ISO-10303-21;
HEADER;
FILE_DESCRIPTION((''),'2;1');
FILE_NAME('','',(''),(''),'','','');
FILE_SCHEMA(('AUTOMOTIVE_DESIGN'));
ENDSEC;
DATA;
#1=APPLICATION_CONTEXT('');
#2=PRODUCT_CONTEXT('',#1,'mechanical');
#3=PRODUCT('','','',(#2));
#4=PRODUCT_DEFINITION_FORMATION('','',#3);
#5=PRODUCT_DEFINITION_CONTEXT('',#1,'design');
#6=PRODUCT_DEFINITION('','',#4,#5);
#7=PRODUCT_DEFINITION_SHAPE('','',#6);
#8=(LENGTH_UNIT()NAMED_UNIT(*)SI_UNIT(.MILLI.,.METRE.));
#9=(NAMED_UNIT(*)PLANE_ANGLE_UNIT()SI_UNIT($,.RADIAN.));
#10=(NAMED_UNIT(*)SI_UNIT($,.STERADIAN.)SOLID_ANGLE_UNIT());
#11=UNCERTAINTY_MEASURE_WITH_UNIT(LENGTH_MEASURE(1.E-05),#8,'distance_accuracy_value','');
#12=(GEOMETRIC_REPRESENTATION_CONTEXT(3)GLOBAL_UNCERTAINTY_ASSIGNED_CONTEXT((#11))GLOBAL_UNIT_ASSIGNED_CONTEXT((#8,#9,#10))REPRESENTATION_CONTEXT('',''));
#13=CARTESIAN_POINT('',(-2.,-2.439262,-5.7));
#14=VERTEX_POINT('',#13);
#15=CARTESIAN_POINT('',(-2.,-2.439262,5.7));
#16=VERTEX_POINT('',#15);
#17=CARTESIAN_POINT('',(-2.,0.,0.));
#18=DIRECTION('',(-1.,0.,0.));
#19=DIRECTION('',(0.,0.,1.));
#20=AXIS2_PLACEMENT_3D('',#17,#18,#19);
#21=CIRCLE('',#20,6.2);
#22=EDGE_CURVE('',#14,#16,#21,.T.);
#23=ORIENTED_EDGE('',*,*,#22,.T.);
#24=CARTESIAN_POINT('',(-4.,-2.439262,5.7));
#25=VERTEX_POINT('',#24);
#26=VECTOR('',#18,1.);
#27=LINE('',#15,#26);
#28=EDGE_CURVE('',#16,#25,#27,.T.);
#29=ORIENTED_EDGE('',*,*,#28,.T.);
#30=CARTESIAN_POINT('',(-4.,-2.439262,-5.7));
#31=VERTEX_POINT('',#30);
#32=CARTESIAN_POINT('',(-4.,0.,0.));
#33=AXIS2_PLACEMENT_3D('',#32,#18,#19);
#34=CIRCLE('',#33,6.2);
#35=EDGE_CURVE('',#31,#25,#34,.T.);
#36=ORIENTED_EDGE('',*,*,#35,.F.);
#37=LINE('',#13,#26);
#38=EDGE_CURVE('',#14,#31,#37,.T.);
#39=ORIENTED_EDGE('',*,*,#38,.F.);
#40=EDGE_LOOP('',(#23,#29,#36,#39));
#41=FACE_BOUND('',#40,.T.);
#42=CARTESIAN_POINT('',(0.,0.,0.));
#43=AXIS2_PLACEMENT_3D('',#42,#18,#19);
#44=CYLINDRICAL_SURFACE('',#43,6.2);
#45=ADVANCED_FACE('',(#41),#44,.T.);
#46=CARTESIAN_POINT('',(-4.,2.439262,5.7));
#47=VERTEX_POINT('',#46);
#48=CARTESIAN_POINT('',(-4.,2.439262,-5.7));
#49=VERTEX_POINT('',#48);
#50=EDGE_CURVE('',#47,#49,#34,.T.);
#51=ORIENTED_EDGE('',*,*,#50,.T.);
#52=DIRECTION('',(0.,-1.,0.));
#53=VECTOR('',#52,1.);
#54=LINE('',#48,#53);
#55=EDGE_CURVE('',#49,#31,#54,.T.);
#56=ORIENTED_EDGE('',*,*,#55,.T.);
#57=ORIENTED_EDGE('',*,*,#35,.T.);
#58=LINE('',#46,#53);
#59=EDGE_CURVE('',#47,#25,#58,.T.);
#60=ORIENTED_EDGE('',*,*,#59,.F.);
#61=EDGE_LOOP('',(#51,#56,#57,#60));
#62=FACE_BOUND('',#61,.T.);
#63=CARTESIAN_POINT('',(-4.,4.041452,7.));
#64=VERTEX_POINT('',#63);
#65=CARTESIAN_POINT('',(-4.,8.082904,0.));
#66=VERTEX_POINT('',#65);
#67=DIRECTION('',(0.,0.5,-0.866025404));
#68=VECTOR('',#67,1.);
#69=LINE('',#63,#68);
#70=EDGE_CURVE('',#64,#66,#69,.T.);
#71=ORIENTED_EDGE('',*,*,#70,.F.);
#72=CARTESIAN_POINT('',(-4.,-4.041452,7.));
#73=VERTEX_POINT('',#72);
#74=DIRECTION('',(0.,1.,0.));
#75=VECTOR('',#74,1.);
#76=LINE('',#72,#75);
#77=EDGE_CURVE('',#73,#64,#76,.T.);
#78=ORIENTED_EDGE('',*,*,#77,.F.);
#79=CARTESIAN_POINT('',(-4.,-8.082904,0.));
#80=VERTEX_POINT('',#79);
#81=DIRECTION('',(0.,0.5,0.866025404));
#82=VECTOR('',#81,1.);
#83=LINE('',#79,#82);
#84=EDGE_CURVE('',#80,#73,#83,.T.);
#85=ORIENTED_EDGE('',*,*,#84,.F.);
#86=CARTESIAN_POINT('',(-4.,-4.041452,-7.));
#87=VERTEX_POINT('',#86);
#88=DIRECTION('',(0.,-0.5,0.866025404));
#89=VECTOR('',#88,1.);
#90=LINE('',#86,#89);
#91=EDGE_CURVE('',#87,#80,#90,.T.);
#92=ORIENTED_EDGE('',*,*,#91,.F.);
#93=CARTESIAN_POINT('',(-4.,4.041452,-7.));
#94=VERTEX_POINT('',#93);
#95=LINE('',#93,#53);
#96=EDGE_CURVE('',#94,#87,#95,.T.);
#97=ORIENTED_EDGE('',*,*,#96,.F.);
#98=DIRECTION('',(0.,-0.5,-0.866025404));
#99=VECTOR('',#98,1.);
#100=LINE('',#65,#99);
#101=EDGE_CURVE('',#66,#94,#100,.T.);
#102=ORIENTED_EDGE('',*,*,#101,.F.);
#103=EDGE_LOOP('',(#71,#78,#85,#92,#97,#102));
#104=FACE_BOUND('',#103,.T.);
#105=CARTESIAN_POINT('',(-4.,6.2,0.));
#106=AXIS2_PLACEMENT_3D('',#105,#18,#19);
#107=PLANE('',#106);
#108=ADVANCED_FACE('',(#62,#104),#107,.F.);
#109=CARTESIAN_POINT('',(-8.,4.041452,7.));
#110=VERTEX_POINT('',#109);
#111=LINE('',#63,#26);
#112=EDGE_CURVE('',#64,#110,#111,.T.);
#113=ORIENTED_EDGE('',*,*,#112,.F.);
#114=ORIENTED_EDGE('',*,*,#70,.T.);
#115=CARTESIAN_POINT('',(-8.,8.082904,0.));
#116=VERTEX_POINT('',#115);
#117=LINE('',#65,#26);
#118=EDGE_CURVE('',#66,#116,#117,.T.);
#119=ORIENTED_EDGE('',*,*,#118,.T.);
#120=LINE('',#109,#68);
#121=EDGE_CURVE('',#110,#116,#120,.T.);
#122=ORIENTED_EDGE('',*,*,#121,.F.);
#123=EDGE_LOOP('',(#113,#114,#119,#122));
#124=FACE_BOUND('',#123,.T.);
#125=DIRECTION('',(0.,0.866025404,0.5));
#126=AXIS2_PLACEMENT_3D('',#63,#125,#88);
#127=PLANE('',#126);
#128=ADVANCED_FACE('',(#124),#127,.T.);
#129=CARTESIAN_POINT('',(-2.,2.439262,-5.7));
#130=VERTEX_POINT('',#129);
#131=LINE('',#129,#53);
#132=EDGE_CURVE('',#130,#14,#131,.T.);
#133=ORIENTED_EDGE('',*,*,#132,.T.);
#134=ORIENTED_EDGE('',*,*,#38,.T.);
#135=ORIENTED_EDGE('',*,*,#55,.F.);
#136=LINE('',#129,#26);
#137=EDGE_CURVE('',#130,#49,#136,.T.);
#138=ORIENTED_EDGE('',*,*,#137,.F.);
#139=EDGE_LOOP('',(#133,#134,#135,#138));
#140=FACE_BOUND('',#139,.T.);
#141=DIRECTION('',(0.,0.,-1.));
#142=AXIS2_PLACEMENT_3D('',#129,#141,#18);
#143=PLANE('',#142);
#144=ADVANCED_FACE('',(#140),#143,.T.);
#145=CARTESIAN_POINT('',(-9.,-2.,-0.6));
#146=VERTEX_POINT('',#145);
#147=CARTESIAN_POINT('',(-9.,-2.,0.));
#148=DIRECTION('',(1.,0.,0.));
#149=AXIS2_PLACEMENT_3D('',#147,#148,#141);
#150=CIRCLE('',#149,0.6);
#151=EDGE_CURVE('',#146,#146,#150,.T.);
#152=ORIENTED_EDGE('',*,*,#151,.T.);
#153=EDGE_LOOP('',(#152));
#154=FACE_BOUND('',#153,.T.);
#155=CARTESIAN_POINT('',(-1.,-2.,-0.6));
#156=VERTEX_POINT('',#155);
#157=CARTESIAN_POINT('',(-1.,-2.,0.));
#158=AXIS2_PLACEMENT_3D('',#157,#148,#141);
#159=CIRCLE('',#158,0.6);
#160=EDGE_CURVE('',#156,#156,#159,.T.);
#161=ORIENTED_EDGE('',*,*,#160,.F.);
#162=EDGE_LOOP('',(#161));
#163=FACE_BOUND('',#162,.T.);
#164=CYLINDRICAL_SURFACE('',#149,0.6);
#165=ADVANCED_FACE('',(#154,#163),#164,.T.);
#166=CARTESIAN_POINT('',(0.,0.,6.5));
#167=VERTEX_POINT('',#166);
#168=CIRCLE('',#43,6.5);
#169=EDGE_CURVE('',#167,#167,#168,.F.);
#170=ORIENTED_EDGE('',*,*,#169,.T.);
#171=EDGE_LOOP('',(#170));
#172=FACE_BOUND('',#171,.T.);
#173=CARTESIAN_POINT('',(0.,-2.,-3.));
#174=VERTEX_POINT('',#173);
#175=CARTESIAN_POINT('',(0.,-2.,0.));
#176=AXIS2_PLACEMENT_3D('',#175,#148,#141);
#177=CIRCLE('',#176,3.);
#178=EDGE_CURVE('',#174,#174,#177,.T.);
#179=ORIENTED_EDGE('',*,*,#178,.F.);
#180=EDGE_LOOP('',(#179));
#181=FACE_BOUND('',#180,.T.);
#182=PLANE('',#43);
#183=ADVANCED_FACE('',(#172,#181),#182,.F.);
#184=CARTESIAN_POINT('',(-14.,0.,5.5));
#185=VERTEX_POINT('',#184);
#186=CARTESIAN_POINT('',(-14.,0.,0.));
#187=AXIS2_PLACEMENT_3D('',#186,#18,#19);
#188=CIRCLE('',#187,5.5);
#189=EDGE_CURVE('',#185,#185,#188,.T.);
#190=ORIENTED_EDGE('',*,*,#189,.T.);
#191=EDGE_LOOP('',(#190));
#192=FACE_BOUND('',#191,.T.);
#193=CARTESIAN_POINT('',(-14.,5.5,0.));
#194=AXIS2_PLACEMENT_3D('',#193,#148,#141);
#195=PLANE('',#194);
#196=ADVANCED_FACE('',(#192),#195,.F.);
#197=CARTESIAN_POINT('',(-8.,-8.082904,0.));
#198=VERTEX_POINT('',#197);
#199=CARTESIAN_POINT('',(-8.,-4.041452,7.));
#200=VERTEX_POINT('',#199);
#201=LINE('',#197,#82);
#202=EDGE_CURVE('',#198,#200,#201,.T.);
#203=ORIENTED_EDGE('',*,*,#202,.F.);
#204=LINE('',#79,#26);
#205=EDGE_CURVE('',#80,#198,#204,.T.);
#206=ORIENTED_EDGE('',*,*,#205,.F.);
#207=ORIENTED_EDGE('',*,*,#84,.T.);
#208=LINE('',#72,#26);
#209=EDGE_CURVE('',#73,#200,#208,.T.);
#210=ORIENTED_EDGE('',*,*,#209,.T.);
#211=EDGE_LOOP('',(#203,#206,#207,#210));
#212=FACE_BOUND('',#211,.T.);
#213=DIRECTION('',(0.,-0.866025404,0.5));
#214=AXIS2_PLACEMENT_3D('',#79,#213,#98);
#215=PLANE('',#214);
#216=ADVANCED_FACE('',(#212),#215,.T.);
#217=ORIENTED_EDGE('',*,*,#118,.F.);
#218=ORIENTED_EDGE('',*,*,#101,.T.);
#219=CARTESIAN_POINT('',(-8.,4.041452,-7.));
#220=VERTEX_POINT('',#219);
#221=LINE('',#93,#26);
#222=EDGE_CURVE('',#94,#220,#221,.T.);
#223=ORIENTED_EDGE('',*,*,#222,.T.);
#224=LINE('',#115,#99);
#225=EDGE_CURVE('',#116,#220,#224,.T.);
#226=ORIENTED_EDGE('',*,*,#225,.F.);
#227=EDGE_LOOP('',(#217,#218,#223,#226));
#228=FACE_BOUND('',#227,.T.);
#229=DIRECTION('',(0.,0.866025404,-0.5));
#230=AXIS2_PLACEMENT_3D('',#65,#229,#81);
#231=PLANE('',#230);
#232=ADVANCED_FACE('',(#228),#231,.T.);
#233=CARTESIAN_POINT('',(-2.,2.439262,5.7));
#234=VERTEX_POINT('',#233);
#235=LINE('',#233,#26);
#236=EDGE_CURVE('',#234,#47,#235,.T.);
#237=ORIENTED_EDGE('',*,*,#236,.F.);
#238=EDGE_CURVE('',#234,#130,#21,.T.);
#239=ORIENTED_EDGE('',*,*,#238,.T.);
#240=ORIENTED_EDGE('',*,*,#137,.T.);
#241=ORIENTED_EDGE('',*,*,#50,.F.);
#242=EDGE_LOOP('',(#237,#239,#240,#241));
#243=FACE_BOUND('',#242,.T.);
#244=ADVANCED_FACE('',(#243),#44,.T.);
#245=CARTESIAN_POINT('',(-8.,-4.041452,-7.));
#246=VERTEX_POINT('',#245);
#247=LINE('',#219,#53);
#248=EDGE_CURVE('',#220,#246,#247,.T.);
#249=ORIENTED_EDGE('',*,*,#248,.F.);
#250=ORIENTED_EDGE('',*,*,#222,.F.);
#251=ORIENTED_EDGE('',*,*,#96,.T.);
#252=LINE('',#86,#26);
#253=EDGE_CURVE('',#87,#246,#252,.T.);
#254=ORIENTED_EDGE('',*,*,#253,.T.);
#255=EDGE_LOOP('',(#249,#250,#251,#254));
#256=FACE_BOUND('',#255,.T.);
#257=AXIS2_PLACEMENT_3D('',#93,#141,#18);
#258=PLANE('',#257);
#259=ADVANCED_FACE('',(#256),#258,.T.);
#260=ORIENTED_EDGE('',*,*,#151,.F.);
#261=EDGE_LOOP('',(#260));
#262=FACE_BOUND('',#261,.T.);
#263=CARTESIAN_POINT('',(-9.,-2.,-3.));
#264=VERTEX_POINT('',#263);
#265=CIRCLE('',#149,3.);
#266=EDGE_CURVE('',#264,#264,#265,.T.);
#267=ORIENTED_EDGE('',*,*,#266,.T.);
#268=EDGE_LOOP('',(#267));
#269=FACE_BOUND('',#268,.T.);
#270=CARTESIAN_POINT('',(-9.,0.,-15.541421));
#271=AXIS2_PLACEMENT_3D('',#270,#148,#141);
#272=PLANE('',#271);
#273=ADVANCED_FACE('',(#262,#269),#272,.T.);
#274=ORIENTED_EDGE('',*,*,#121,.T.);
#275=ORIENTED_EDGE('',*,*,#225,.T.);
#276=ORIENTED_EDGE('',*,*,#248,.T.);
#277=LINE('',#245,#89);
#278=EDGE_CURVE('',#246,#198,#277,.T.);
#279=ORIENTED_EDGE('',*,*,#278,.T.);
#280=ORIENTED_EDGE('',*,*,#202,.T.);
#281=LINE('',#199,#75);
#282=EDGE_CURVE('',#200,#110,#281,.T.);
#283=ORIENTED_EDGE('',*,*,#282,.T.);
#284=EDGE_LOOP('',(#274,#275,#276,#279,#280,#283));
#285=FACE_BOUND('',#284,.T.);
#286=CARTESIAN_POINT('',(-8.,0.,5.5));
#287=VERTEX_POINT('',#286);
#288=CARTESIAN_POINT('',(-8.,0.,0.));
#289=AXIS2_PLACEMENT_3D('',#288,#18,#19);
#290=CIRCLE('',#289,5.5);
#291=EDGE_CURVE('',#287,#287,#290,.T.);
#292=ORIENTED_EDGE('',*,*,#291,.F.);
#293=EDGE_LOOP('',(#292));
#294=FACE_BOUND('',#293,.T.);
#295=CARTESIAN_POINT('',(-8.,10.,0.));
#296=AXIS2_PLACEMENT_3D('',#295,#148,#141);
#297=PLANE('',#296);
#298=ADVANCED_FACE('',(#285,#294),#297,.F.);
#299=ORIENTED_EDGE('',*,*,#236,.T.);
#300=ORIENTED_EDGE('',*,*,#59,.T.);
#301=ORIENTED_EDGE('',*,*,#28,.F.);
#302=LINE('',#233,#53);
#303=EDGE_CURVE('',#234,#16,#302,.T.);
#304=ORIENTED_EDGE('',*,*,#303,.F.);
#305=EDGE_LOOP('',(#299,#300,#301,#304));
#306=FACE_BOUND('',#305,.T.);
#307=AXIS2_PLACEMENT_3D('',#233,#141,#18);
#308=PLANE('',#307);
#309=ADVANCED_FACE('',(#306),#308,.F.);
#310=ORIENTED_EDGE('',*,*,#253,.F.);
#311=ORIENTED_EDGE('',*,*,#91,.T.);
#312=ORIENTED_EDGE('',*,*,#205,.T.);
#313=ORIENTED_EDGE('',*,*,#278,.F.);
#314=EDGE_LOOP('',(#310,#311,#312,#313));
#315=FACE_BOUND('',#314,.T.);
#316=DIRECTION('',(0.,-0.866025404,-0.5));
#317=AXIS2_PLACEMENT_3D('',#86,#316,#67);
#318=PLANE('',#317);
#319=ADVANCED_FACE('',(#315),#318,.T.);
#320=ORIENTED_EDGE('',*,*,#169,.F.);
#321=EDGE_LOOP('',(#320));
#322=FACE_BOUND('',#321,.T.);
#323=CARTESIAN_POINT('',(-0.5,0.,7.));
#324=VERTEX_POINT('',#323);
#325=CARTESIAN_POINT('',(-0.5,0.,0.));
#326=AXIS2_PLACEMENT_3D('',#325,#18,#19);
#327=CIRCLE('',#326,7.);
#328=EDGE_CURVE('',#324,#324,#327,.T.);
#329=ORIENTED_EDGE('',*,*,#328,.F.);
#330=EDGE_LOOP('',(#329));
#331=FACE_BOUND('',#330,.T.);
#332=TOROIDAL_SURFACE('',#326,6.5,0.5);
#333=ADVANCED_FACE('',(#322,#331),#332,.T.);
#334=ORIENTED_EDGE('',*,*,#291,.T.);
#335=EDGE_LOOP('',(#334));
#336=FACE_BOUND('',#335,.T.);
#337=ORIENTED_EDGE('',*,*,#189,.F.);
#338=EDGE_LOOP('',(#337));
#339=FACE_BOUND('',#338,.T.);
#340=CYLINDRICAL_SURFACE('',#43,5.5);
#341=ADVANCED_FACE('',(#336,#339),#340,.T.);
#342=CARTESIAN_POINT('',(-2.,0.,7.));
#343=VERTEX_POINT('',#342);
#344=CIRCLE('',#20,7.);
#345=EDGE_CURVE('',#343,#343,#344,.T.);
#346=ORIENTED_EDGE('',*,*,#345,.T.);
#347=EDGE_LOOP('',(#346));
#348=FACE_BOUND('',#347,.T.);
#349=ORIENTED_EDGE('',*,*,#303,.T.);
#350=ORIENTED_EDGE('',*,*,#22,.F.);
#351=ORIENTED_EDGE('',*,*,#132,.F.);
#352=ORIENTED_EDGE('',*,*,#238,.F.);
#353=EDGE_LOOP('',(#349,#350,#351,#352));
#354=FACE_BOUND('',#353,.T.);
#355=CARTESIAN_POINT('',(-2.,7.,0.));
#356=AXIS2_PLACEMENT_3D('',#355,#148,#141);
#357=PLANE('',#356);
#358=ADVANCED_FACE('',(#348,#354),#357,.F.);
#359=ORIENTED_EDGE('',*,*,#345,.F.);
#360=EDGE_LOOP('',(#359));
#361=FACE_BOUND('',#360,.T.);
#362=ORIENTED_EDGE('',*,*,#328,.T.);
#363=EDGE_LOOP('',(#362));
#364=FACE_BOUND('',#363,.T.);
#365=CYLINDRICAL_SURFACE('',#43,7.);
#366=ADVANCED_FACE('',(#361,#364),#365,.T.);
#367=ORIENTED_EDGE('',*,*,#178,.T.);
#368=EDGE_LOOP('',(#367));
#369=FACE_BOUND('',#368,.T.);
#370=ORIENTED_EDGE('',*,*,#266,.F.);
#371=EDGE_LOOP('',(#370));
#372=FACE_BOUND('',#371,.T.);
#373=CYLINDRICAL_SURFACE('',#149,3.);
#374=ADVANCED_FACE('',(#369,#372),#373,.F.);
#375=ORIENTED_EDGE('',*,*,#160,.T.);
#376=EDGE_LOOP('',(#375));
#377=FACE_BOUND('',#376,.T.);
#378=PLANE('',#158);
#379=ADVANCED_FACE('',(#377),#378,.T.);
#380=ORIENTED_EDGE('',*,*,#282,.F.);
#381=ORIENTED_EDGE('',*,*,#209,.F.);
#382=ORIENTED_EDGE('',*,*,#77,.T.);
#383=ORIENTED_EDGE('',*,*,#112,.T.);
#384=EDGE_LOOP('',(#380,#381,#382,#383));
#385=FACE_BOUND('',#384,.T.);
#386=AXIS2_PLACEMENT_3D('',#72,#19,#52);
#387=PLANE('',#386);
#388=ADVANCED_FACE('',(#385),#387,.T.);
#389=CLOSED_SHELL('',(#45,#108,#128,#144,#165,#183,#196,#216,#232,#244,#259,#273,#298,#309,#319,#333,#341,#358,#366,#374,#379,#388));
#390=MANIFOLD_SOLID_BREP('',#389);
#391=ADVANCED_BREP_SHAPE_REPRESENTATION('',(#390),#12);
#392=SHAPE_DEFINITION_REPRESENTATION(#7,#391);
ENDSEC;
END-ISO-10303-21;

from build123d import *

# Parameters (mm, degrees)
ESQUISSE2_R             = 10
ENL_V_MAT_EXTRU_1_DEPTH = 4
ESQUISSE3_R             = 3
ESQUISSE3_R_2           = 0.6
ENL_V_MAT_EXTRU_2_DEPTH = 9
ESQUISSE4_R             = 0.6
ENL_V_MAT_EXTRU_3_DEPTH = 1
ENL_V_MAT_EXTRU_5_DEPTH = 2
CONG_1_R                = 0.5


with BuildPart() as part:
    # Esquisse1 → Révolution1 (revolve)
    with BuildSketch(Plane.XY, mode=Mode.PRIVATE) as r_volution1_sk:
        Polygon((0, 0), (0, 7), (-2, 7), (-2, 6.2), (-4, 6.2), (-4, 10), (-8, 10), (-8, 5.5), (-14, 5.5), (-14, 0), align=None)
    revolve(r_volution1_sk.sketch.rotate(Axis((0, 0, 0), (1, 0, 0)), 90), axis=Axis((0, 0, 0), (1, 0, 0)))  # turned: the seam where the file's is

    # Esquisse2 → Enlèv. mat.-Extru.1 (cut)
    with BuildSketch(Plane.ZY.offset(8)):
        Circle(ESQUISSE2_R)
        Polygon((0, 8.082903769), (-7, 4.041451884), (-7, -4.041451884), (0, -8.082903769), (7, -4.041451884), (7, 4.041451884), align=None, mode=Mode.SUBTRACT)
    extrude(amount=-ENL_V_MAT_EXTRU_1_DEPTH, mode=Mode.SUBTRACT)

    # Esquisse3 → Enlèv. mat.-Extru.2 (cut)
    with BuildSketch(Plane(origin=(0, 0, 0), x_dir=(0, 0, -1), z_dir=(1, 0, 0))):
        with Locations((0, -2)):
            Circle(ESQUISSE3_R)
        with Locations((0, -2)):
            Circle(ESQUISSE3_R_2, mode=Mode.SUBTRACT)
    extrude(amount=-ENL_V_MAT_EXTRU_2_DEPTH, mode=Mode.SUBTRACT)

    # Esquisse4 → Enlèv. mat.-Extru.3 (cut)
    with BuildSketch(Plane(origin=(0, 0, 0), x_dir=(0, 0, -1), z_dir=(1, 0, 0))):
        with Locations((0, -2)):
            Circle(ESQUISSE4_R)
    extrude(amount=-ENL_V_MAT_EXTRU_3_DEPTH, mode=Mode.SUBTRACT)

    # Esquisse5 → Enlèv. mat.-Extru.5 (cut)
    with BuildSketch(Plane(origin=(-4, 0, 0), x_dir=(0, 0, -1), z_dir=(1, 0, 0))):
        with BuildLine():
            Line((-5.7, 2.439262184), (-5.7, -2.439262184))
            ThreePointArc((-5.7, -2.439262184), (-6.2, 0), (-5.7, 2.439262184))
        make_face()
        with BuildLine():
            Line((5.7, 2.439262184), (5.7, -2.439262184))
            ThreePointArc((5.7, -2.439262184), (6.2, 0), (5.7, 2.439262184))
        make_face()
    extrude(amount=ENL_V_MAT_EXTRU_5_DEPTH, mode=Mode.SUBTRACT)

    # Congé1
    cong_1_edges = [part.edges().sort_by_distance(p)[0] for p in [
        (0, 0, -7),
    ]]
    fillet(cong_1_edges, radius=CONG_1_R)


solid = part.part
